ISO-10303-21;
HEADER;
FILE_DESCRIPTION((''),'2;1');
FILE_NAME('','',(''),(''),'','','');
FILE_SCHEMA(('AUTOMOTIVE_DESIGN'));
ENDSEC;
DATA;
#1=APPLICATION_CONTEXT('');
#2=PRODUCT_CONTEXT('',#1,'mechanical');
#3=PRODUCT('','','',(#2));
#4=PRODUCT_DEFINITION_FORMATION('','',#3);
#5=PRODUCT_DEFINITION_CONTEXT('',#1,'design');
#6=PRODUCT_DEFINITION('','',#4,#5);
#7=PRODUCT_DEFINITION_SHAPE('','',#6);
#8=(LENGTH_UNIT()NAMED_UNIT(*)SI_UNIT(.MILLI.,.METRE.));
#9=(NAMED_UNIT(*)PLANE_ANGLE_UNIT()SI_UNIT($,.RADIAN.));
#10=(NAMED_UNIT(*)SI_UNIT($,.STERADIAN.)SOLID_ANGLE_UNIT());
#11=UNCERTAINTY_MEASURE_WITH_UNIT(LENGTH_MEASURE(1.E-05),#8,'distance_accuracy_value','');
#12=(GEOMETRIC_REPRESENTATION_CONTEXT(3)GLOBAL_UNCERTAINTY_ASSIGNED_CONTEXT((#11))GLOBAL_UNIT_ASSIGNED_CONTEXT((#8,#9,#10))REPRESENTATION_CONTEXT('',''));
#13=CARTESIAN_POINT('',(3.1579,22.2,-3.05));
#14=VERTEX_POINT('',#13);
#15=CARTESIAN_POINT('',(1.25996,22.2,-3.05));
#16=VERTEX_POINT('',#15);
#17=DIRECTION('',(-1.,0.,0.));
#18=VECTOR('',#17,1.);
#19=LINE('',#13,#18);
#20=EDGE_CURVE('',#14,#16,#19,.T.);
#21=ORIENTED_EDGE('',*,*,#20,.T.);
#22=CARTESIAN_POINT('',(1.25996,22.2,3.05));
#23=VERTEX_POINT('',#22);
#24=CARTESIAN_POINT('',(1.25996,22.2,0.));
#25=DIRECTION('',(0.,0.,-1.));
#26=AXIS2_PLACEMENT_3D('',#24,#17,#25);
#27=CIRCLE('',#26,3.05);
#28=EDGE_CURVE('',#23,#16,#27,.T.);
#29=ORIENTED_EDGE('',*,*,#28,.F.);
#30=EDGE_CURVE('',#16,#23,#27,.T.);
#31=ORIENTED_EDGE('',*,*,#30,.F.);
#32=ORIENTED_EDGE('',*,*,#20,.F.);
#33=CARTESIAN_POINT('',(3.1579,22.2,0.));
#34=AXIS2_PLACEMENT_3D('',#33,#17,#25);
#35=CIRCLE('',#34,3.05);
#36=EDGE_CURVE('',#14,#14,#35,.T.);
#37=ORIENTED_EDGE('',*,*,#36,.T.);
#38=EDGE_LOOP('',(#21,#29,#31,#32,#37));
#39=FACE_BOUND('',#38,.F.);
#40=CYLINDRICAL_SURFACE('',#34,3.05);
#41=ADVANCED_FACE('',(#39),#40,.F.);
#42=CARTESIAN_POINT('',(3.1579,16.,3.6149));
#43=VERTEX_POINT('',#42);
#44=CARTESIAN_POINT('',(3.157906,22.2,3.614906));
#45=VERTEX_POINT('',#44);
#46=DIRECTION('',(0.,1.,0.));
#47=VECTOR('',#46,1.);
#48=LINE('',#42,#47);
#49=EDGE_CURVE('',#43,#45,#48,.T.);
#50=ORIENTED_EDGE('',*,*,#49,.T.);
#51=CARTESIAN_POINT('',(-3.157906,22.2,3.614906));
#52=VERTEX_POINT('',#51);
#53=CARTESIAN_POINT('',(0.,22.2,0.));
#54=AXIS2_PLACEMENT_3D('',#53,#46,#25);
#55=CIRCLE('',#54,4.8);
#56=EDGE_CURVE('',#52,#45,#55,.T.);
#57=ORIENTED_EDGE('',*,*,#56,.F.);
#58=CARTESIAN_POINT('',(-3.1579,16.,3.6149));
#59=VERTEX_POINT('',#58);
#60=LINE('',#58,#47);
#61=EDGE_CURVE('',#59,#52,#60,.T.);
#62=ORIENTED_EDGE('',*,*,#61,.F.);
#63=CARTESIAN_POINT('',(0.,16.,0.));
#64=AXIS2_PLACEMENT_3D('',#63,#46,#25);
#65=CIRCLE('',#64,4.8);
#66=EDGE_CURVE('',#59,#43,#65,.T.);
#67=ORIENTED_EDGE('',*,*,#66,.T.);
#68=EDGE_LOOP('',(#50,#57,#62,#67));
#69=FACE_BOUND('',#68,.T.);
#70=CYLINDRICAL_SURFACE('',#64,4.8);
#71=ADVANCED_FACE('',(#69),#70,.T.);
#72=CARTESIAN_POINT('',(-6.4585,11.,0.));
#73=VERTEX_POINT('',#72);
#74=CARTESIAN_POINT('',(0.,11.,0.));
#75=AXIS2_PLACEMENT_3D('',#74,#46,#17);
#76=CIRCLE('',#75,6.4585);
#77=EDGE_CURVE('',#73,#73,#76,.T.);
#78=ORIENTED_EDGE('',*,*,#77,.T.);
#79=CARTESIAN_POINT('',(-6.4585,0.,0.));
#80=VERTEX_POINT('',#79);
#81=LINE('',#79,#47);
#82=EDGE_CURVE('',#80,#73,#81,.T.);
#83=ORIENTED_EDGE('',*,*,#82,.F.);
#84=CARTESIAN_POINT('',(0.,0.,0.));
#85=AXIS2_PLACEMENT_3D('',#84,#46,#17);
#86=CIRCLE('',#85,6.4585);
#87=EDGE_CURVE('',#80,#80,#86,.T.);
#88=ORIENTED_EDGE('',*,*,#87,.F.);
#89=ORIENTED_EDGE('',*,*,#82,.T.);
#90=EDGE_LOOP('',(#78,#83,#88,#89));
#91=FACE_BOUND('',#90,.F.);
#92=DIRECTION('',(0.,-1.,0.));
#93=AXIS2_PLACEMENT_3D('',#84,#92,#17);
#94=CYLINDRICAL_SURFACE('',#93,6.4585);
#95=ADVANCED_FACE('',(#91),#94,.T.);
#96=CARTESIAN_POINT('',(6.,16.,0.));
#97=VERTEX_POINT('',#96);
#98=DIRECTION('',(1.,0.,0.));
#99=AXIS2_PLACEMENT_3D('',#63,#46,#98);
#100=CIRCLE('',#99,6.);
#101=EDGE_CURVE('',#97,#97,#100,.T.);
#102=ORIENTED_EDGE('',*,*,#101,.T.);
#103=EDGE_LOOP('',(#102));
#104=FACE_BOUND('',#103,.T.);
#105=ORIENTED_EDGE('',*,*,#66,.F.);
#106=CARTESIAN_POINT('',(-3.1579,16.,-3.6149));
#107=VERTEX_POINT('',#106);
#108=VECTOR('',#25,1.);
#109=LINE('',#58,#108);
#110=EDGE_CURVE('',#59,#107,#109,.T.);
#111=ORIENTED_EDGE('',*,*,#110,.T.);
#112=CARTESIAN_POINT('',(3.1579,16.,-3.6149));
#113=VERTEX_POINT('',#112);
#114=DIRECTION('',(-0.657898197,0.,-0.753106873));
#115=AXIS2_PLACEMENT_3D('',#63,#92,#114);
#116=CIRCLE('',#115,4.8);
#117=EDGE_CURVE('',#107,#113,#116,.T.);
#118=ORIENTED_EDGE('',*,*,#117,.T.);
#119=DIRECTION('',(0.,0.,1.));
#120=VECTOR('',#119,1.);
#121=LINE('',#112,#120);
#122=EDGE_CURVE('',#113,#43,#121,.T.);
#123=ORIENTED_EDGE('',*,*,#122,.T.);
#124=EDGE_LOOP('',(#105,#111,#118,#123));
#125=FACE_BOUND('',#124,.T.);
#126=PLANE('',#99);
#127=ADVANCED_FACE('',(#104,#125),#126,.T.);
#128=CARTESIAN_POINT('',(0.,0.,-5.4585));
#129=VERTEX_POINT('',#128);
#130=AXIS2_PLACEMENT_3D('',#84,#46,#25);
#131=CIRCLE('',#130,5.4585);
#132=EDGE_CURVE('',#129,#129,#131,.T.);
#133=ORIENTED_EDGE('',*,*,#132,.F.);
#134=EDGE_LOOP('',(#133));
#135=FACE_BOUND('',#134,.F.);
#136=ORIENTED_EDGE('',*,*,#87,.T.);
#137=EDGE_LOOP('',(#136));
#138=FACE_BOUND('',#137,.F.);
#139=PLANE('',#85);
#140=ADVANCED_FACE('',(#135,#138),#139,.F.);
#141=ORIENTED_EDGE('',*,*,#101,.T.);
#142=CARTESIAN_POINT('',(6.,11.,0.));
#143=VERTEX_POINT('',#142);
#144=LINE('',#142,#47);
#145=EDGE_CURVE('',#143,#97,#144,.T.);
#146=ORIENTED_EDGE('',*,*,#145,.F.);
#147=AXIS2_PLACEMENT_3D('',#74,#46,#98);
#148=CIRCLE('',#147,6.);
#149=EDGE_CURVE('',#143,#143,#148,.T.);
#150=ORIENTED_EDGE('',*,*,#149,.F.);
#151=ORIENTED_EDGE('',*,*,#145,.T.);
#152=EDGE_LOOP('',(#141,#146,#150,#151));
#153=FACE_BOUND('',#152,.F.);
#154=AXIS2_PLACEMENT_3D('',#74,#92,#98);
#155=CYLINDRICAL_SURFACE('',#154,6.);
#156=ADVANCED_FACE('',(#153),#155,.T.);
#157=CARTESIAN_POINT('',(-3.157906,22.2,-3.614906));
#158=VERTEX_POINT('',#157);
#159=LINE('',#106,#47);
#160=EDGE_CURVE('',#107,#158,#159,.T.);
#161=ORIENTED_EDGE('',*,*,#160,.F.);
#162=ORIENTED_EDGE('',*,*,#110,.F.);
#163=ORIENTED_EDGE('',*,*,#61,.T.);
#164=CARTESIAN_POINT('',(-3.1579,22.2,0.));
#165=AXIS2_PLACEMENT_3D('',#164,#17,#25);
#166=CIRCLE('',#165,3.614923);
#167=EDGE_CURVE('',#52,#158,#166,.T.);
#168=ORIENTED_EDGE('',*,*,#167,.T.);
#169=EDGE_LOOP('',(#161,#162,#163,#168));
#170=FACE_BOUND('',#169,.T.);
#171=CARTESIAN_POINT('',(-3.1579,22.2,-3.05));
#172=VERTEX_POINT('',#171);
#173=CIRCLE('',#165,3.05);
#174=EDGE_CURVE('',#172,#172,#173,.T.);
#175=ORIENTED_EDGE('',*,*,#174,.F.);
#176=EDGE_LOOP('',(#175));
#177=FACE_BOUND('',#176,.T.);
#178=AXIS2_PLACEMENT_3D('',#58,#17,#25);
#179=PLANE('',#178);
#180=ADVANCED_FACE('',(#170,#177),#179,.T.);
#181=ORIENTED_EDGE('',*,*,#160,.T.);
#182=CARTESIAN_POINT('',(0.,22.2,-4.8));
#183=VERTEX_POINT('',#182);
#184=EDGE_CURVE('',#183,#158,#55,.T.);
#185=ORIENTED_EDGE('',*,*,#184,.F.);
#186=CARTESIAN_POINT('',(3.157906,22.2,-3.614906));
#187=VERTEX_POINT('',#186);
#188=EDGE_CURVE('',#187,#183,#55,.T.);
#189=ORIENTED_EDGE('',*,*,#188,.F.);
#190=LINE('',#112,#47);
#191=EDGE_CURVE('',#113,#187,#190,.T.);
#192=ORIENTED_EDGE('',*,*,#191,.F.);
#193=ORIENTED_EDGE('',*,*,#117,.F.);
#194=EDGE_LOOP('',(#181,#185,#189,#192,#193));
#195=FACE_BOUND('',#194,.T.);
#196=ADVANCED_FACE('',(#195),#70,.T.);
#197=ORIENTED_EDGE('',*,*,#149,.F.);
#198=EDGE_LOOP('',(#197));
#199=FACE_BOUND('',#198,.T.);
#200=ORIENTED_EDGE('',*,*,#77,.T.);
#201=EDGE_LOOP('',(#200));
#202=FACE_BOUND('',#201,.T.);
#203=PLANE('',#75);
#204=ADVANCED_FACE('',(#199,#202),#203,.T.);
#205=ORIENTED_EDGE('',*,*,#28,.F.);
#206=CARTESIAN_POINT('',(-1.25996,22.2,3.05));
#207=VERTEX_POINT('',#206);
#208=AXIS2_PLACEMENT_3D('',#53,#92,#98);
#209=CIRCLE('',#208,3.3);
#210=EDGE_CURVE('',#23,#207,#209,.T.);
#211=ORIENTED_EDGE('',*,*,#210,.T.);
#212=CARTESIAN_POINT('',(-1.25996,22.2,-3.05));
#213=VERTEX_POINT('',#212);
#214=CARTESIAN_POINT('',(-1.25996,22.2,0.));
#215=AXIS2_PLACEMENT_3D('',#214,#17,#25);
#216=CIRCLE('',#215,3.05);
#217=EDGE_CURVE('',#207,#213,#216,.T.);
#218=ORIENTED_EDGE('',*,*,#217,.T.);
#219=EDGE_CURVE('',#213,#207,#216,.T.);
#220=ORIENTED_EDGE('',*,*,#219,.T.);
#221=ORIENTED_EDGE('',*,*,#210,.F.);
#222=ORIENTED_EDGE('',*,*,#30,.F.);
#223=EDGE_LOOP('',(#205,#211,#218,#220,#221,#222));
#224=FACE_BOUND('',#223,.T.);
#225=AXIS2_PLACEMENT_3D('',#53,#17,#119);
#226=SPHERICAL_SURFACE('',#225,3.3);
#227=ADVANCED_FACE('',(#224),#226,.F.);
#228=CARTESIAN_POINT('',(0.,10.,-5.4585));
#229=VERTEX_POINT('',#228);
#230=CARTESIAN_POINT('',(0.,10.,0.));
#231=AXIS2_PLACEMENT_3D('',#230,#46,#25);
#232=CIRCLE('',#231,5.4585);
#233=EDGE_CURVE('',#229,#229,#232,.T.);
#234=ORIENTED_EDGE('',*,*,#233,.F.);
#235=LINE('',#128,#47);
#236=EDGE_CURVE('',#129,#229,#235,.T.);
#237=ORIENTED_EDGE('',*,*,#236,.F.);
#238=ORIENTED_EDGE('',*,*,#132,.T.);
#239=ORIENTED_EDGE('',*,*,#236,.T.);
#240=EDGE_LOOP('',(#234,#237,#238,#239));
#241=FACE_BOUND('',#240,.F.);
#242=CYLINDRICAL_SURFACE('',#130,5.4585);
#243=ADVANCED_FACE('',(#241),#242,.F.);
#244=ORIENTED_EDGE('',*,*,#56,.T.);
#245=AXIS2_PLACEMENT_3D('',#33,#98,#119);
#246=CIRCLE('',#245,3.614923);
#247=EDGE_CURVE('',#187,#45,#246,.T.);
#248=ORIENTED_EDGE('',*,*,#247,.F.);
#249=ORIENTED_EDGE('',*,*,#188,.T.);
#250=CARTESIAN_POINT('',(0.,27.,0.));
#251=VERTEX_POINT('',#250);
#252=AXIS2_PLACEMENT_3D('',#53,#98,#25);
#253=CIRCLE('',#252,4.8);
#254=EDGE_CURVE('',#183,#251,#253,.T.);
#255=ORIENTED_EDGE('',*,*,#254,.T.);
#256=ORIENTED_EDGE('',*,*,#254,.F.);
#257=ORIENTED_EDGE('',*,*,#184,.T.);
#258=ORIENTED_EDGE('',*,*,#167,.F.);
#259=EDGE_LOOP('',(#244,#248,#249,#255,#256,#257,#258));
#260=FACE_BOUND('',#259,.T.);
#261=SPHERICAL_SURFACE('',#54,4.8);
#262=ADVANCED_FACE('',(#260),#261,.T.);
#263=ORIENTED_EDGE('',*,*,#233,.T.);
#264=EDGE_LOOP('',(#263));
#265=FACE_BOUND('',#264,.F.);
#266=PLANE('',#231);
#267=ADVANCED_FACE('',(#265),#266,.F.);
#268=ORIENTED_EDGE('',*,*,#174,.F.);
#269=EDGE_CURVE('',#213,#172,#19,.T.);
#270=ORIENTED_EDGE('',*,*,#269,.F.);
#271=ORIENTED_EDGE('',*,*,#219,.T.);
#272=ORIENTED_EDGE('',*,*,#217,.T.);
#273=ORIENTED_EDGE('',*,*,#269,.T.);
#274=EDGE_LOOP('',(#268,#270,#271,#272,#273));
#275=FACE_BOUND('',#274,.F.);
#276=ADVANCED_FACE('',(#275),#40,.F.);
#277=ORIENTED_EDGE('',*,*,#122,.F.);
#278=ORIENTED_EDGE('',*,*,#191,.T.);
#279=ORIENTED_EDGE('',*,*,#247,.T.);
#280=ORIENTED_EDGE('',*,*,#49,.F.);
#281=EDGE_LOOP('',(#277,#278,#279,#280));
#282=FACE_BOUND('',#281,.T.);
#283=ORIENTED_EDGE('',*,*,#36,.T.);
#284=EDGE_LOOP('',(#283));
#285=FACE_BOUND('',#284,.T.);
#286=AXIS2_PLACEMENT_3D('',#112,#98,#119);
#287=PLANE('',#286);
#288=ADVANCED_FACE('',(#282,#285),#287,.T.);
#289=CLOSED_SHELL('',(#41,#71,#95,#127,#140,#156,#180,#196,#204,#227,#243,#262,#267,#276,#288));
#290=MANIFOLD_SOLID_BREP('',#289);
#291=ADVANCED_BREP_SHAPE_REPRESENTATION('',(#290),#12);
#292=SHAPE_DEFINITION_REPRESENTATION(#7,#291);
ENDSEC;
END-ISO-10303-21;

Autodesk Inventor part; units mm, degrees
ref_plane "YZ Plane" through (0, 0, 0) normal (1, 0, 0) x (0, 1, 0)
ref_plane "XZ Plane" through (0, 0, 0) normal (0, 1, 0) x (-1, 0, 0)
ref_plane "XY Plane" through (0, 0, 0) normal (0, 0, 1) x (1, 0, 0)
sketch "Sketch1" plane through (0, 0, 0) normal (0, 1, 0) x (-1, 0, 0)
  circle A0 centre (0, 0) radius 6.4585
  dimension "d0" = 12.917
extrude "Extrusion1" add sketch "Sketch1" along normal blind 11
sketch "Sketch2" plane through (0, 11, 0) normal (0, 1, 0) x (1, 0, 0)
  circle A0 centre (0, 0) radius 6.4585 projected
  circle A1 centre (0, 0) radius 6
  dimension "d3" = 12
extrude "Extrusion2" add sketch "Sketch2" along normal blind 5 contours A1
sketch "Sketch3" plane through (0, 0, 0) normal (1, 0, 0) x (0, 1, 0)
  line L0 (16, -6) -> (16, 6) projected
  line L1 (16, -4.8) -> (22.2, -4.8)
  line L2 (22.2, 0) -> (16, 0)
  arc A0 (22.2, -4.8) -> (27, 0) centre (22.2, 0) ccw
  line L3 (0, 6.4585) -> (0, -6.4585) projected
  line L4 (22.2, 0) -> (27, 0)
  line L5 (16, 0) -> (27, 0)
  point P0 (0, 0)
  dimension "d7" = 4.8
  dimension "d13" = 22.2
revolve "Revolution1" add sketch "Sketch3" angle 360 about axis through (0, 16, 0) along (0, 1, 0)
sketch "Sketch4" plane through (0, 16, 0) normal (0, 1, 0) x (1, 0, 0)
  circle A0 centre (0, 0) radius 4.8 projected
  circle A1 centre (0, 0) radius 6 projected
  line L0 (2.5, -11.2443) -> (-2.5, -11.2443)
  line L1 (-2.5, 11.2443) -> (2.5, 11.2443)
  line L2 (2.5, -11.2443) -> (-2.5, 11.2443) construction
  line L3 (-2.5, -11.2443) -> (2.5, 11.2443) construction
  circle A2 centre (0, 0) radius 4.8
  line L4 (2.5, 11.2443) -> (2.5, 5.4544)
  line L5 (3.1579, 3.6149) -> (3.1579, -3.6149)
  line L6 (-3.1579, -3.6149) -> (-3.1579, 3.6149)
  dimension "d9" = 5
extrude "Extrusion3" cut sketch "Sketch4" along normal blind 13.25 contours A0 L5 | L6 A0
hole "Hole1" at (3.1579, 22.2, 0) direction (-1, 0, 0) diameter 6.1 depth 8 tip angle 118
thread "Thread1" size "M14x1" class "6g" standard "ANSI Metric M Profile" full length
thread "Thread2" size "M12x1.25" class "6g" standard "ANSI Metric M Profile" full length
sketch "Sketch5" plane through (0, 0, 0) normal (0, -1, 0) x (1, 0, 0)
  circle A0 centre (0, 0) radius 6.4585 projected
  circle A1 centre (0, 0) radius 6
  dimension "d27" = 12
hole "Hole2" at (0, 0, 0) direction (0, 1, 0) diameter 10.917 depth 10 thread size "M12x1" class "6H" standard "ISO Metric profile"
ref_plane "Work Plane1" through (-0.8421, 22.2, 0) normal (0, -1, 0) x (1, 0, 0)
sketch "Sketch6" plane through (-0.8421, 22.2, 0) normal (0, -1, 0) x (1, 0, 0)
  circle A0 centre (0.8421, 0) radius 3.3
  line L0 (4.1421, 0) -> (-2.4579, 0)
  line L1 (4, 3.05) -> (4, -3.05) projected
  line L2 (-8.1998, 0) -> (9.884, 0) projected
  dimension "d36" = 6.6
revolve "Revolution2" cut sketch "Sketch6" angle 360 about axis through (-0.8421, 22.2, 0) along (1, 0, 0) picked at (4.0262, 0.5339) picked at (-0.2745, 0.2585) contours L0 L1 A0 | L1 L0 A0
properties part number "500-106" material "Stainless Steel"
